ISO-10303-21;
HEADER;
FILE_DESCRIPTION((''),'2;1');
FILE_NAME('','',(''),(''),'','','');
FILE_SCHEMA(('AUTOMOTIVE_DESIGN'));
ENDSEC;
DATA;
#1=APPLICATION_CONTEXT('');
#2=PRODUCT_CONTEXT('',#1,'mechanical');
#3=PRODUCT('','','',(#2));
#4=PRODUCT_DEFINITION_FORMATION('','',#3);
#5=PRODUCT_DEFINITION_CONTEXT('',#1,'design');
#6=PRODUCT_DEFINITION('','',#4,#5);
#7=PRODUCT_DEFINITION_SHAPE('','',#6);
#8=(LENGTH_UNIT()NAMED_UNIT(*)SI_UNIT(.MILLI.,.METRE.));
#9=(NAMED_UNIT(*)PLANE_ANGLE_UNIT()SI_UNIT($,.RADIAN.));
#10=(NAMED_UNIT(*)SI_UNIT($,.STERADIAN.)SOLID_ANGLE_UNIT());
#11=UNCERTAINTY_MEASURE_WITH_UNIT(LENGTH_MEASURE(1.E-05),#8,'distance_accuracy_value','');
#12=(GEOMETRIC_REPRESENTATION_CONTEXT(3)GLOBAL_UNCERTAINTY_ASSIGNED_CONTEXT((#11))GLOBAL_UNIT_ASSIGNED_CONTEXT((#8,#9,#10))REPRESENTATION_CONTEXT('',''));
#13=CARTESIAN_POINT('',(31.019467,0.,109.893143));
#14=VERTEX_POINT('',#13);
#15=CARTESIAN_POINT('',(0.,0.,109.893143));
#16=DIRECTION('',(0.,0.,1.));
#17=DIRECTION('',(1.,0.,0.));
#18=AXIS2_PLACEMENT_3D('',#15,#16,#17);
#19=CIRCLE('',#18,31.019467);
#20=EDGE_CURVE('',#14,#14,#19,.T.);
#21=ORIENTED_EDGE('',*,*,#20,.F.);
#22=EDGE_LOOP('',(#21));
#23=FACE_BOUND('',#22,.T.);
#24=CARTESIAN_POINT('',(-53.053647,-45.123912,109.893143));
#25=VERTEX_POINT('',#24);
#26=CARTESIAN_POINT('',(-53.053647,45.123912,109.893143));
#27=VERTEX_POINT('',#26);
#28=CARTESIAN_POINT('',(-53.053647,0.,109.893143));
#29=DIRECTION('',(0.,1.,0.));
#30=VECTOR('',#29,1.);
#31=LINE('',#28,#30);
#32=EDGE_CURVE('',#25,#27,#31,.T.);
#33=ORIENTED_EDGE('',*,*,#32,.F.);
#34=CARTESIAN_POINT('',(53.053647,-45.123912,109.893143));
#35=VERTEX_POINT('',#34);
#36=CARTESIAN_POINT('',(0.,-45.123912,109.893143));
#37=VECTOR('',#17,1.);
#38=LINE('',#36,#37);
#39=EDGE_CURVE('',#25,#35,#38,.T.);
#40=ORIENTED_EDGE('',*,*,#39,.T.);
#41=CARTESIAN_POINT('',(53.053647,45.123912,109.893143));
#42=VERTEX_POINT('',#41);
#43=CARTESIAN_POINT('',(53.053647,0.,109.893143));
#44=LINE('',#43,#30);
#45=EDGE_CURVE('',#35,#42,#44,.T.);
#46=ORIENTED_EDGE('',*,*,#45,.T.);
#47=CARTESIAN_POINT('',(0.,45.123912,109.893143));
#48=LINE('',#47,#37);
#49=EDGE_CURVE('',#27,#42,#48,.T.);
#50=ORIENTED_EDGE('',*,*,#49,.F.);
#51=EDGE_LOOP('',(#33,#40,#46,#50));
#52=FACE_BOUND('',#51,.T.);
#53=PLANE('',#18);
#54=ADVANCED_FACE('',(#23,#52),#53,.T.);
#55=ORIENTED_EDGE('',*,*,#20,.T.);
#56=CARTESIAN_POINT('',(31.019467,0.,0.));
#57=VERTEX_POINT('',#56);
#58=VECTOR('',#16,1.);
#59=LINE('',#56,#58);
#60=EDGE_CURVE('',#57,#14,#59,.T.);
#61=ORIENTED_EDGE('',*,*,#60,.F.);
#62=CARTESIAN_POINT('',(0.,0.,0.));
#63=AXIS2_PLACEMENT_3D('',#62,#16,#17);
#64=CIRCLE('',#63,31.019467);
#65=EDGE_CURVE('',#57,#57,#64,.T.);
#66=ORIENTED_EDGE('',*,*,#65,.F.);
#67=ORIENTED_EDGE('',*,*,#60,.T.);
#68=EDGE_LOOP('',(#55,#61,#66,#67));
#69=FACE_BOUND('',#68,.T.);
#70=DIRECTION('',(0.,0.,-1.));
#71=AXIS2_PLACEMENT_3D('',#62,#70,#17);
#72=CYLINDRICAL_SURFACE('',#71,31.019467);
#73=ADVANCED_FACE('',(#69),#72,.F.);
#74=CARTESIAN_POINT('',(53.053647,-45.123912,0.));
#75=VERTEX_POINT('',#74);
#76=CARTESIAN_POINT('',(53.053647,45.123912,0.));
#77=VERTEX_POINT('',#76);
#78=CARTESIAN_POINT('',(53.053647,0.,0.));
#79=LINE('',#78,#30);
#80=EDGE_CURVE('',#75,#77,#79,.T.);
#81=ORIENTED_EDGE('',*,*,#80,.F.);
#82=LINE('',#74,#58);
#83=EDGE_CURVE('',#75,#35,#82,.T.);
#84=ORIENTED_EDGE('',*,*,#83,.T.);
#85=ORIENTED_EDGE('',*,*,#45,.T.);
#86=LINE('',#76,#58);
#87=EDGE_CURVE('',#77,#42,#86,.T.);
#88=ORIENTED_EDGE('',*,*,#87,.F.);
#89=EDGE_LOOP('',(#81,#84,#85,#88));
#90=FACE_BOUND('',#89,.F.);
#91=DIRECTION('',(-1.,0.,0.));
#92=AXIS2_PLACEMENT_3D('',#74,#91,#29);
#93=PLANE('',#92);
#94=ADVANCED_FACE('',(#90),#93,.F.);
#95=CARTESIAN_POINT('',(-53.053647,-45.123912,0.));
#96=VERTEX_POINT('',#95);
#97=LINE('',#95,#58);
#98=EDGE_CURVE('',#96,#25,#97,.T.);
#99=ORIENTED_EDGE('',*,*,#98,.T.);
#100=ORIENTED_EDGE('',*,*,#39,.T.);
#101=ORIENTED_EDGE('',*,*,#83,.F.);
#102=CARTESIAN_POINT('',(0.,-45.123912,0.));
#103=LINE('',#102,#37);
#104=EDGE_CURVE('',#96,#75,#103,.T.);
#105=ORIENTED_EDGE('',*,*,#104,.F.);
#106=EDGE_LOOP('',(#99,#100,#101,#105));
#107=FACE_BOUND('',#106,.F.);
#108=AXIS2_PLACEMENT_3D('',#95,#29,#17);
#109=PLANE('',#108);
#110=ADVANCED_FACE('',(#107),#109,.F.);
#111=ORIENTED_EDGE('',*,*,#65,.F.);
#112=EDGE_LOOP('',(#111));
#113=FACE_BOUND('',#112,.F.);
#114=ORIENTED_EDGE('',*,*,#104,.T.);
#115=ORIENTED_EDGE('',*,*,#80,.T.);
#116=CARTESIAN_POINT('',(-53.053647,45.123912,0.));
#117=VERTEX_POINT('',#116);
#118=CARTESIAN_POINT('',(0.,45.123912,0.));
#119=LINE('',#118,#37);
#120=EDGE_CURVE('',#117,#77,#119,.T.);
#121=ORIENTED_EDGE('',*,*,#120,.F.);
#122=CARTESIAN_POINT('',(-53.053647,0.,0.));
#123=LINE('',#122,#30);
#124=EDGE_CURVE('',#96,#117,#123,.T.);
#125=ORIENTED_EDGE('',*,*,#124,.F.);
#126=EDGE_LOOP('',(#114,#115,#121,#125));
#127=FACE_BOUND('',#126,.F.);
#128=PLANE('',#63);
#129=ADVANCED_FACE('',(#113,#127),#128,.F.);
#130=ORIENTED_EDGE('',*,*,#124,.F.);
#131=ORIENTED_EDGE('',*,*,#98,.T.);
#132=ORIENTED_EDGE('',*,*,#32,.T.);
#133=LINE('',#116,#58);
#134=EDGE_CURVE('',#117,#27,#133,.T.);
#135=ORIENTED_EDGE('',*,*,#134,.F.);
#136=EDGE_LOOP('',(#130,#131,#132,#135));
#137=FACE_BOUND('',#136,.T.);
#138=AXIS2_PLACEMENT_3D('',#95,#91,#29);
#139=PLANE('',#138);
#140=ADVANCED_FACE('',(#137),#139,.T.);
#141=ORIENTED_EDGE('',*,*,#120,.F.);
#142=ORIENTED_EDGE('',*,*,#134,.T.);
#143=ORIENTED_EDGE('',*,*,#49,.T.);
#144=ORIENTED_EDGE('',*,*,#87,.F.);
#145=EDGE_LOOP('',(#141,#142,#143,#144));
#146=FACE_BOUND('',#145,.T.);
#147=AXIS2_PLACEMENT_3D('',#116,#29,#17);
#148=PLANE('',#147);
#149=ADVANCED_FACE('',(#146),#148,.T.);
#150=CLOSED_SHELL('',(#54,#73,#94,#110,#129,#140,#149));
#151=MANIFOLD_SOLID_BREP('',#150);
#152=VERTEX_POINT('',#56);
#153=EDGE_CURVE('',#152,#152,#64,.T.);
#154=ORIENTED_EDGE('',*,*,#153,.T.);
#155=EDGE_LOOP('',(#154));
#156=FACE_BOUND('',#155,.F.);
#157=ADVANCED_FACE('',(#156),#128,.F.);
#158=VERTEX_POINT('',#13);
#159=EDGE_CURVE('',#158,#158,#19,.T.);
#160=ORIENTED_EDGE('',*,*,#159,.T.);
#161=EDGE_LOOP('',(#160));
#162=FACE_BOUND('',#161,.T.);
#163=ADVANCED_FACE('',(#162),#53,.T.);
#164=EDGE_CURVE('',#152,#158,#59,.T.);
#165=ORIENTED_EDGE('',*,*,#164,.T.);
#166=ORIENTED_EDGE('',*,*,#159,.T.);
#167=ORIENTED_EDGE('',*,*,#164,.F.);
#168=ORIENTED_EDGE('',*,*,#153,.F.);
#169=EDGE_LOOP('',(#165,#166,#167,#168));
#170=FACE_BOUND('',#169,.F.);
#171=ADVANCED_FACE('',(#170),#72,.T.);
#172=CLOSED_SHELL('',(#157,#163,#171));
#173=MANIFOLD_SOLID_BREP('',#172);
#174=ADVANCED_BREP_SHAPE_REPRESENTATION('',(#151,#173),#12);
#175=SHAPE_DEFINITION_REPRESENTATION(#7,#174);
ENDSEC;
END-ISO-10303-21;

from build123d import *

# Parameters (mm, degrees)
F1_R     = 31.0194667636
F2_DEPTH = 109.893143177
F0_W     = 106.1072945595
F0_H     = 90.2478247881
F0_R     = 31.0194667636


with BuildPart() as f2:
    # F1 (on face) → F2 (new body)
    with BuildSketch(Plane.XY):
        Circle(F1_R)
    extrude(amount=F2_DEPTH)


with BuildPart() as f2b:
    # F0 (on Top) → F2, piece 2 (new body)
    with BuildSketch(Plane.XY):
        Rectangle(F0_W, F0_H)
        Circle(F0_R, mode=Mode.SUBTRACT)
    extrude(amount=F2_DEPTH)


solid = Compound([f2.part, f2b.part])
